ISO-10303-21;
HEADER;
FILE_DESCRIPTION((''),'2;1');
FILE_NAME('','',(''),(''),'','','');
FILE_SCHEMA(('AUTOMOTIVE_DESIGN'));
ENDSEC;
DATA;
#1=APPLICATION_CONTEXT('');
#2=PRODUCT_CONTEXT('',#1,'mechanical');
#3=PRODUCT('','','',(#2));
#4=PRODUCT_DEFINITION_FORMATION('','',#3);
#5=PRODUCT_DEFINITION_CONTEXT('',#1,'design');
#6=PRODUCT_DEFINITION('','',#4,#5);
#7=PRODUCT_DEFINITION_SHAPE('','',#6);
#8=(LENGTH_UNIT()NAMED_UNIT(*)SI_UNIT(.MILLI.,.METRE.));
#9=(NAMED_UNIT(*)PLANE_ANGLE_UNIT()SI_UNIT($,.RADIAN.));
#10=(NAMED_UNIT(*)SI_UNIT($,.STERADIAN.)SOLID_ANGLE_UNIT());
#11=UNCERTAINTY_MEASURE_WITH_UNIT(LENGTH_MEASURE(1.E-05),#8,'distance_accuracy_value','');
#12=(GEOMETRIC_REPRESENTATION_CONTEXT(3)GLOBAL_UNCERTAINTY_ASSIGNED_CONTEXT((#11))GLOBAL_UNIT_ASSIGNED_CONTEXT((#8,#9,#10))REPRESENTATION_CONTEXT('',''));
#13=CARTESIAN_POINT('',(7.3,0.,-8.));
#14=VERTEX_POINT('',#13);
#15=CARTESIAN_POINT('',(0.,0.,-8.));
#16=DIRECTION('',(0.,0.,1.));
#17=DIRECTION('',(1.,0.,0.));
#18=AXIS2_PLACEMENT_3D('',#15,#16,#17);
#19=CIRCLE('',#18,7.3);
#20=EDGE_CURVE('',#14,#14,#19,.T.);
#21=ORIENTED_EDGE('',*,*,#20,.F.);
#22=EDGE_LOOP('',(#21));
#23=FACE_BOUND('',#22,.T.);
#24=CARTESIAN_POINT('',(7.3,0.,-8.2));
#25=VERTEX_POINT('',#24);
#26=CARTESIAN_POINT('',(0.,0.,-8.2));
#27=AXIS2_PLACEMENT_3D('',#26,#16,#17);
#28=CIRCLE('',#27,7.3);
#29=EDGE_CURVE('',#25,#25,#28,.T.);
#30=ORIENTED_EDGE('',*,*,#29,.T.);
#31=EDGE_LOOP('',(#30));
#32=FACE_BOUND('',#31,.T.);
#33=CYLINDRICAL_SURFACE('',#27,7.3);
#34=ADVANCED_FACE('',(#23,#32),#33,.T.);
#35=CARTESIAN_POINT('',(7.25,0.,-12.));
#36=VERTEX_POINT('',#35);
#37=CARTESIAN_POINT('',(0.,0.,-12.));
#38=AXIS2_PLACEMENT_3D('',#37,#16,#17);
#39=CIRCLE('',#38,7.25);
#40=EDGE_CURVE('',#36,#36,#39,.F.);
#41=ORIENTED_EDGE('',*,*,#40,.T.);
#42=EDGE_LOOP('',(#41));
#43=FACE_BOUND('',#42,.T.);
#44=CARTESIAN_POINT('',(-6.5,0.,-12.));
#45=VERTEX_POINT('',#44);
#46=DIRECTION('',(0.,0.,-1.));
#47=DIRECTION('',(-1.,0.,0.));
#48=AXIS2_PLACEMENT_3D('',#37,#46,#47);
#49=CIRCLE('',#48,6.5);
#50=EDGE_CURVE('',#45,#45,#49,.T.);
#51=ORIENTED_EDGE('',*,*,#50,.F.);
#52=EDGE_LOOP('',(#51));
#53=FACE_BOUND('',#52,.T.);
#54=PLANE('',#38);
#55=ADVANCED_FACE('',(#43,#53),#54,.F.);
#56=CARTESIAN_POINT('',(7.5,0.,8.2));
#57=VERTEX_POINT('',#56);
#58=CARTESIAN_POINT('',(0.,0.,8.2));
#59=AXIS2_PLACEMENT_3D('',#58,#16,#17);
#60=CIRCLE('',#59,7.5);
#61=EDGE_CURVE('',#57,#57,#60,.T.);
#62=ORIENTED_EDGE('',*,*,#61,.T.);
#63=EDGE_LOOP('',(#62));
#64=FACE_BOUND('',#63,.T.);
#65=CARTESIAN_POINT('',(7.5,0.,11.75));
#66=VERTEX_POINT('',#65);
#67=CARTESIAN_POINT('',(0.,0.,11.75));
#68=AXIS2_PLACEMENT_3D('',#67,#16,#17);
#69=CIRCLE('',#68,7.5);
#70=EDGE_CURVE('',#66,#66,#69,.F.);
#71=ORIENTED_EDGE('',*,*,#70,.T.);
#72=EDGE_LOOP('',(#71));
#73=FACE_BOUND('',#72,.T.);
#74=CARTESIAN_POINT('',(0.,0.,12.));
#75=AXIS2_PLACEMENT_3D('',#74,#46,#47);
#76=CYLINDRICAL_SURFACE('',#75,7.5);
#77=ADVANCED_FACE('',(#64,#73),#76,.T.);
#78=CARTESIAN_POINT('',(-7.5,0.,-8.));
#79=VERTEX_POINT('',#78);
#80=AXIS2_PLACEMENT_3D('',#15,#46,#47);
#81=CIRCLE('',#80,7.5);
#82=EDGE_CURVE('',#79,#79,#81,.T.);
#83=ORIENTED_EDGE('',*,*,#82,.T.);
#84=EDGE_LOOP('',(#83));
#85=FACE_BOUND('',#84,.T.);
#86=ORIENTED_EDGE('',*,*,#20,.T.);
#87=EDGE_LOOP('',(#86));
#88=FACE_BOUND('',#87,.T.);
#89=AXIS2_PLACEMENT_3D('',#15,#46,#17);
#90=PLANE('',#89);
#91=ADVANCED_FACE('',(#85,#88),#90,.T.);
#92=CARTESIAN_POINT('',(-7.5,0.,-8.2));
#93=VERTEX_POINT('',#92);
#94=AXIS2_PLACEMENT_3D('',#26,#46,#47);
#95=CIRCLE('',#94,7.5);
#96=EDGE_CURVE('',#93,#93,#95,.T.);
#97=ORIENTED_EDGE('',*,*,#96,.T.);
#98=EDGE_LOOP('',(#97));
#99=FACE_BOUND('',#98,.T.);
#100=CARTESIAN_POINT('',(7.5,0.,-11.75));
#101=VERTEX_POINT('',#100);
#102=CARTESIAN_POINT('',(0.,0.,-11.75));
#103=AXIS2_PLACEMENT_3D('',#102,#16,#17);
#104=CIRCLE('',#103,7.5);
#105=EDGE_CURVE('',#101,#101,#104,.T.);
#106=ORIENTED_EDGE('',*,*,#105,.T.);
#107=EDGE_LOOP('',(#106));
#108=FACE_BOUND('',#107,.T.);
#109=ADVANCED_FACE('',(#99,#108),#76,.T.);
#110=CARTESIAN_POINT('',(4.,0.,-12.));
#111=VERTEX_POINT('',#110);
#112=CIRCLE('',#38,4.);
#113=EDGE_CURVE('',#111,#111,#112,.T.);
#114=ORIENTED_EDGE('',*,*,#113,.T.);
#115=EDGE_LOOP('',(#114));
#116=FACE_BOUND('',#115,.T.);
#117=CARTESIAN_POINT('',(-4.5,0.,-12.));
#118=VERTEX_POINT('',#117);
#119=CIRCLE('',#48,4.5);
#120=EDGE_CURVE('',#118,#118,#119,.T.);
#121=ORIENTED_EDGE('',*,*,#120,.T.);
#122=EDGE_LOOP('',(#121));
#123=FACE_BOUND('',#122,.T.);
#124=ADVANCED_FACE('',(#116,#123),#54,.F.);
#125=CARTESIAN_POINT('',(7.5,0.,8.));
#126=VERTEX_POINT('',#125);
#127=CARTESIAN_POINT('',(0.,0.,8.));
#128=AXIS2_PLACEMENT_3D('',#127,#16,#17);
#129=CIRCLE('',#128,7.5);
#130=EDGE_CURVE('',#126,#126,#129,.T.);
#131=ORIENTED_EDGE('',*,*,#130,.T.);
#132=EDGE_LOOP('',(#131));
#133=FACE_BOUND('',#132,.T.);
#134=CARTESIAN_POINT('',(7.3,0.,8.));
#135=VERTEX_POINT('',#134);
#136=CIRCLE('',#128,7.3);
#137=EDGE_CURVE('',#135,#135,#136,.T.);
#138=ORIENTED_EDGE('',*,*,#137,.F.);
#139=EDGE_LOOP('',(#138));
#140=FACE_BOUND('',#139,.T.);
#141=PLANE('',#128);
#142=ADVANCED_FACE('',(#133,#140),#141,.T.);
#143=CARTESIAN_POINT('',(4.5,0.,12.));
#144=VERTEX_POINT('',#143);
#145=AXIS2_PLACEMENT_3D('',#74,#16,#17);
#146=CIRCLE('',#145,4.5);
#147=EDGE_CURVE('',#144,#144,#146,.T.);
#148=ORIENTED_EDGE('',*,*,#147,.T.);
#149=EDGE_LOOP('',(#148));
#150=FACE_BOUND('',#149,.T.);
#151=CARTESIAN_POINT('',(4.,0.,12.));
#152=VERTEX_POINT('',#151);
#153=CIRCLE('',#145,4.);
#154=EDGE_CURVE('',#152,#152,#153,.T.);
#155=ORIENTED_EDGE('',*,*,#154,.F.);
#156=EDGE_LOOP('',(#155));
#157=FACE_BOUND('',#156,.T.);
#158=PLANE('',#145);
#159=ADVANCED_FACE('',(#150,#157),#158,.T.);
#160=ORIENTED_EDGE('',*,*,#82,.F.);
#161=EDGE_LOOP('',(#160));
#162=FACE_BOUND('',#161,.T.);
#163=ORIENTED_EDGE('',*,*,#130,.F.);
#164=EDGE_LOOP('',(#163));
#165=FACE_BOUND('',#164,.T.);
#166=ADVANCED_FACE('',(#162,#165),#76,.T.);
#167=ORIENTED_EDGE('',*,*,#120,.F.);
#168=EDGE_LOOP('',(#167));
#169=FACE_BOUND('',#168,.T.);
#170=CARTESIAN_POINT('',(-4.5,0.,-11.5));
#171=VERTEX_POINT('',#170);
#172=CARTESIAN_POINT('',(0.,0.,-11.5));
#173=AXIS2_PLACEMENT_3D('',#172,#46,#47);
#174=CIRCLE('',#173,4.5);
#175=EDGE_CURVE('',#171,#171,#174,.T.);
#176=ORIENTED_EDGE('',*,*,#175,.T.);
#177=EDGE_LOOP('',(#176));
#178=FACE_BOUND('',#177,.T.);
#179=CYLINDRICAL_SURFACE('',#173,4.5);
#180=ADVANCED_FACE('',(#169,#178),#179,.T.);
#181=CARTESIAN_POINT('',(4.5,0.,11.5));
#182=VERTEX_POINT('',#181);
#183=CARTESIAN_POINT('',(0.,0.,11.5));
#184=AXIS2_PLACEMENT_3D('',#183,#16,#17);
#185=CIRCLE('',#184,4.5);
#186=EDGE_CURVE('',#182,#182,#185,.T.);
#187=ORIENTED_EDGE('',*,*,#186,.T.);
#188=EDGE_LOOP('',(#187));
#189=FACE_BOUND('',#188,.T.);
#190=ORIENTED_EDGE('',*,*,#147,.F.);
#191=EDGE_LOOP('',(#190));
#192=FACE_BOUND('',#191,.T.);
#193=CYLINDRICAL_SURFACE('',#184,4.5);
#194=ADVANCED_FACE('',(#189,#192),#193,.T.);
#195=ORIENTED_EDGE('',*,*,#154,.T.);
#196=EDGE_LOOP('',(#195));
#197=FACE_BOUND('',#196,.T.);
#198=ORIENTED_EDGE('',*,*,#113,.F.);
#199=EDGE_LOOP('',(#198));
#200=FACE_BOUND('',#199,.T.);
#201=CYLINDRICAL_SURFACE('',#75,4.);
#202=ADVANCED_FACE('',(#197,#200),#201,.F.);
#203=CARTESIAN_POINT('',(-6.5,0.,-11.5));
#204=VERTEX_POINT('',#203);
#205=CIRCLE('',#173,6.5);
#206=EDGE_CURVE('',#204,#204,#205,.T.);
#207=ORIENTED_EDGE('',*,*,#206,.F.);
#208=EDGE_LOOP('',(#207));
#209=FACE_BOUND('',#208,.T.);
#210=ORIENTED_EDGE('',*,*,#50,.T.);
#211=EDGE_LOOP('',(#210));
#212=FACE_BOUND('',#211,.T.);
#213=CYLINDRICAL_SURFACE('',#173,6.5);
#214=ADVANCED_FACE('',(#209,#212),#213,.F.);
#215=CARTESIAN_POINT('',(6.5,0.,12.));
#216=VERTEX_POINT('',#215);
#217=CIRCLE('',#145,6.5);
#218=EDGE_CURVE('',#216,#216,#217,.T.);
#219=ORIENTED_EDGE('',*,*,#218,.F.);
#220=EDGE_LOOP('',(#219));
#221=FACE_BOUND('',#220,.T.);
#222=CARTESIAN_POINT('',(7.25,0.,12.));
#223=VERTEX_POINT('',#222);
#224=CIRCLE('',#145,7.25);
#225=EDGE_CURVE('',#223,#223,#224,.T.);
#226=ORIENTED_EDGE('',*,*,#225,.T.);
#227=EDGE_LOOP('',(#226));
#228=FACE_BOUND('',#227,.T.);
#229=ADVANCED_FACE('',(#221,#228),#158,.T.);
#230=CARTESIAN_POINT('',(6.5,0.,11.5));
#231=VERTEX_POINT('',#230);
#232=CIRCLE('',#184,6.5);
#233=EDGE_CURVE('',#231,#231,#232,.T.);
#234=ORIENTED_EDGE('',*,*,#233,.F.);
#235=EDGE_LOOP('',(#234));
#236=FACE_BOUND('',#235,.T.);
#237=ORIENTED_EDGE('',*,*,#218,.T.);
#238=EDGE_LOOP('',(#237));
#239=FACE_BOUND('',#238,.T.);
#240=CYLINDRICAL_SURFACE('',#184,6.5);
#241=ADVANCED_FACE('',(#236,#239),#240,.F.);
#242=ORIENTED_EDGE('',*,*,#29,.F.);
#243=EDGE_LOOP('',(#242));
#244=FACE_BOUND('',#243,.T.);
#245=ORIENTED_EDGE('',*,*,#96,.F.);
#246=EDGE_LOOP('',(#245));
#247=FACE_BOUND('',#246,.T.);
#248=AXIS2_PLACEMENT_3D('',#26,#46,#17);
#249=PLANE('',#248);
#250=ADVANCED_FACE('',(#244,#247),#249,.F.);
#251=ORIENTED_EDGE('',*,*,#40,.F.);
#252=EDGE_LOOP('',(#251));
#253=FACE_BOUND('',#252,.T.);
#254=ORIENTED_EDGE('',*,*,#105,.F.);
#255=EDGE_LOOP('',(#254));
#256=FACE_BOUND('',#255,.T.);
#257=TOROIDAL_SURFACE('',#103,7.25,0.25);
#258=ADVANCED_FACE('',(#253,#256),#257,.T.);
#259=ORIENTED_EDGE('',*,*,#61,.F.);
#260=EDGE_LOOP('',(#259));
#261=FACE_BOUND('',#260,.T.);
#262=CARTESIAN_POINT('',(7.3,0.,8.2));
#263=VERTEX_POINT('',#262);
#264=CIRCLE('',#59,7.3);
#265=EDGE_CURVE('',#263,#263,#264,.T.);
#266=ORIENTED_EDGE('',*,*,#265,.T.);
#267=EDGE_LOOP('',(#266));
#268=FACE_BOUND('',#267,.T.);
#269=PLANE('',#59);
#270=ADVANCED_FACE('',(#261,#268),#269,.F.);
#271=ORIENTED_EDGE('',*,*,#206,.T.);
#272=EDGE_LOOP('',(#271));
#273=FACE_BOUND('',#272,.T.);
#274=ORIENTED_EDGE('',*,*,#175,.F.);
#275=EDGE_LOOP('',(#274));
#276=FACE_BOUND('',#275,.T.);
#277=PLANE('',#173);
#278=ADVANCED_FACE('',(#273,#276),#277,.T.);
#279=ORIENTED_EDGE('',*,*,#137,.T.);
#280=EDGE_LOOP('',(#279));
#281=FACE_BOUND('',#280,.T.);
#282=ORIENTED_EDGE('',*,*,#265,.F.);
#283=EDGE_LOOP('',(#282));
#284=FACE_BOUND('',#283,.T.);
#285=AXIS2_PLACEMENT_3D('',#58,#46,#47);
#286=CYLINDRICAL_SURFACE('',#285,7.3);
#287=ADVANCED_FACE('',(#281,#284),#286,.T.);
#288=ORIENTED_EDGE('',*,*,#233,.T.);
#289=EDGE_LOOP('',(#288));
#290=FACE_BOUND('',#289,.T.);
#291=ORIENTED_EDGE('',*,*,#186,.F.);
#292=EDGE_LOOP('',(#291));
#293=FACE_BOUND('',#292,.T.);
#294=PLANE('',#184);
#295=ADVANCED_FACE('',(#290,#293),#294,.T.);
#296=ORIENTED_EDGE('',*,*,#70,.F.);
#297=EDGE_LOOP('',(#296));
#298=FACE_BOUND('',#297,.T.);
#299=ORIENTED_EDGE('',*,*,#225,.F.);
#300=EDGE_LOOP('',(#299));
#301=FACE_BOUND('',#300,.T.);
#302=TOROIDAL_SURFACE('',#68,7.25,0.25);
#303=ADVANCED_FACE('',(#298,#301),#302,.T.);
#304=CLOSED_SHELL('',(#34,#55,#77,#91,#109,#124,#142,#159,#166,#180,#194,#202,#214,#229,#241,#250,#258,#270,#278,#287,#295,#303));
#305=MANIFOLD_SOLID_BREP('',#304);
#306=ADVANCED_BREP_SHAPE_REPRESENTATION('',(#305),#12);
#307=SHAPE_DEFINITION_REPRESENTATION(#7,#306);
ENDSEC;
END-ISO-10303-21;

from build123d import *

# Parameters (mm, degrees)
ESBO_O1_R                = 7.5
ESBO_O1_R_2              = 4
RESSALTO_EXTRUS_O1_DEPTH = 12
ESBO_O2_R                = 6.5
ESBO_O2_R_2              = 4.5
CORTE_EXTRUS_O1_DEPTH    = 0.5
CORTE_EXTRUS_O2_START    = -0.5
ESBO_O3_R                = 6.5
ESBO_O3_R_2              = 4.5
CORTE_EXTRUS_O2_DEPTH    = 0.5
ESBO_O4_R                = 8.150175923
ESBO_O4_R_2              = 7.3
CORTE_EXTRUS_O3_DEPTH    = 0.2
FILETE1_R                = 0.25


with BuildPart() as part:
    # Esboço1 → Ressalto-extrusão1 (new, symmetric)
    with BuildSketch(Plane.XY):
        Circle(ESBO_O1_R)
        Circle(ESBO_O1_R_2, mode=Mode.SUBTRACT)
    extrude(amount=RESSALTO_EXTRUS_O1_DEPTH, both=True)

    # Esboço2 → Corte-extrusão1 (cut)
    with BuildSketch(Plane.XY.offset(12)):
        Circle(ESBO_O2_R)
        Circle(ESBO_O2_R_2, mode=Mode.SUBTRACT)
    extrude(amount=-CORTE_EXTRUS_O1_DEPTH, mode=Mode.SUBTRACT)

    # Esboço3 → Corte-extrusão2 (cut)
    with BuildSketch(Plane(origin=(0, 0, -12), x_dir=(-1, 0, 0), z_dir=(0, 0, -1)).offset(CORTE_EXTRUS_O2_START)):
        with Locations(Location((0, 0, 0), (0, 0, 180))):
            Circle(ESBO_O3_R)
        with Locations(Location((0, 0, 0), (0, 0, 180))):
            Circle(ESBO_O3_R_2, mode=Mode.SUBTRACT)
    extrude(amount=CORTE_EXTRUS_O2_DEPTH, mode=Mode.SUBTRACT)

    # Esboço4 → Corte-extrusão3 (cut)
    with BuildSketch(Plane.XY.offset(8)):
        Circle(ESBO_O4_R)
        Circle(ESBO_O4_R_2, mode=Mode.SUBTRACT)
    corte_extrus_o3 = extrude(amount=CORTE_EXTRUS_O3_DEPTH, mode=Mode.SUBTRACT)

    # Espelhar1: Corte-extrusão3 across plane
    add(corte_extrus_o3.mirror(Plane.XY), mode=Mode.SUBTRACT)

    # Filete1
    filete1_edges = [part.edges().sort_by_distance(p)[0] for p in [
        (-7.5, 0, -12),
        (-7.5, 0, 12),
    ]]
    fillet(filete1_edges, radius=FILETE1_R)


solid = part.part
